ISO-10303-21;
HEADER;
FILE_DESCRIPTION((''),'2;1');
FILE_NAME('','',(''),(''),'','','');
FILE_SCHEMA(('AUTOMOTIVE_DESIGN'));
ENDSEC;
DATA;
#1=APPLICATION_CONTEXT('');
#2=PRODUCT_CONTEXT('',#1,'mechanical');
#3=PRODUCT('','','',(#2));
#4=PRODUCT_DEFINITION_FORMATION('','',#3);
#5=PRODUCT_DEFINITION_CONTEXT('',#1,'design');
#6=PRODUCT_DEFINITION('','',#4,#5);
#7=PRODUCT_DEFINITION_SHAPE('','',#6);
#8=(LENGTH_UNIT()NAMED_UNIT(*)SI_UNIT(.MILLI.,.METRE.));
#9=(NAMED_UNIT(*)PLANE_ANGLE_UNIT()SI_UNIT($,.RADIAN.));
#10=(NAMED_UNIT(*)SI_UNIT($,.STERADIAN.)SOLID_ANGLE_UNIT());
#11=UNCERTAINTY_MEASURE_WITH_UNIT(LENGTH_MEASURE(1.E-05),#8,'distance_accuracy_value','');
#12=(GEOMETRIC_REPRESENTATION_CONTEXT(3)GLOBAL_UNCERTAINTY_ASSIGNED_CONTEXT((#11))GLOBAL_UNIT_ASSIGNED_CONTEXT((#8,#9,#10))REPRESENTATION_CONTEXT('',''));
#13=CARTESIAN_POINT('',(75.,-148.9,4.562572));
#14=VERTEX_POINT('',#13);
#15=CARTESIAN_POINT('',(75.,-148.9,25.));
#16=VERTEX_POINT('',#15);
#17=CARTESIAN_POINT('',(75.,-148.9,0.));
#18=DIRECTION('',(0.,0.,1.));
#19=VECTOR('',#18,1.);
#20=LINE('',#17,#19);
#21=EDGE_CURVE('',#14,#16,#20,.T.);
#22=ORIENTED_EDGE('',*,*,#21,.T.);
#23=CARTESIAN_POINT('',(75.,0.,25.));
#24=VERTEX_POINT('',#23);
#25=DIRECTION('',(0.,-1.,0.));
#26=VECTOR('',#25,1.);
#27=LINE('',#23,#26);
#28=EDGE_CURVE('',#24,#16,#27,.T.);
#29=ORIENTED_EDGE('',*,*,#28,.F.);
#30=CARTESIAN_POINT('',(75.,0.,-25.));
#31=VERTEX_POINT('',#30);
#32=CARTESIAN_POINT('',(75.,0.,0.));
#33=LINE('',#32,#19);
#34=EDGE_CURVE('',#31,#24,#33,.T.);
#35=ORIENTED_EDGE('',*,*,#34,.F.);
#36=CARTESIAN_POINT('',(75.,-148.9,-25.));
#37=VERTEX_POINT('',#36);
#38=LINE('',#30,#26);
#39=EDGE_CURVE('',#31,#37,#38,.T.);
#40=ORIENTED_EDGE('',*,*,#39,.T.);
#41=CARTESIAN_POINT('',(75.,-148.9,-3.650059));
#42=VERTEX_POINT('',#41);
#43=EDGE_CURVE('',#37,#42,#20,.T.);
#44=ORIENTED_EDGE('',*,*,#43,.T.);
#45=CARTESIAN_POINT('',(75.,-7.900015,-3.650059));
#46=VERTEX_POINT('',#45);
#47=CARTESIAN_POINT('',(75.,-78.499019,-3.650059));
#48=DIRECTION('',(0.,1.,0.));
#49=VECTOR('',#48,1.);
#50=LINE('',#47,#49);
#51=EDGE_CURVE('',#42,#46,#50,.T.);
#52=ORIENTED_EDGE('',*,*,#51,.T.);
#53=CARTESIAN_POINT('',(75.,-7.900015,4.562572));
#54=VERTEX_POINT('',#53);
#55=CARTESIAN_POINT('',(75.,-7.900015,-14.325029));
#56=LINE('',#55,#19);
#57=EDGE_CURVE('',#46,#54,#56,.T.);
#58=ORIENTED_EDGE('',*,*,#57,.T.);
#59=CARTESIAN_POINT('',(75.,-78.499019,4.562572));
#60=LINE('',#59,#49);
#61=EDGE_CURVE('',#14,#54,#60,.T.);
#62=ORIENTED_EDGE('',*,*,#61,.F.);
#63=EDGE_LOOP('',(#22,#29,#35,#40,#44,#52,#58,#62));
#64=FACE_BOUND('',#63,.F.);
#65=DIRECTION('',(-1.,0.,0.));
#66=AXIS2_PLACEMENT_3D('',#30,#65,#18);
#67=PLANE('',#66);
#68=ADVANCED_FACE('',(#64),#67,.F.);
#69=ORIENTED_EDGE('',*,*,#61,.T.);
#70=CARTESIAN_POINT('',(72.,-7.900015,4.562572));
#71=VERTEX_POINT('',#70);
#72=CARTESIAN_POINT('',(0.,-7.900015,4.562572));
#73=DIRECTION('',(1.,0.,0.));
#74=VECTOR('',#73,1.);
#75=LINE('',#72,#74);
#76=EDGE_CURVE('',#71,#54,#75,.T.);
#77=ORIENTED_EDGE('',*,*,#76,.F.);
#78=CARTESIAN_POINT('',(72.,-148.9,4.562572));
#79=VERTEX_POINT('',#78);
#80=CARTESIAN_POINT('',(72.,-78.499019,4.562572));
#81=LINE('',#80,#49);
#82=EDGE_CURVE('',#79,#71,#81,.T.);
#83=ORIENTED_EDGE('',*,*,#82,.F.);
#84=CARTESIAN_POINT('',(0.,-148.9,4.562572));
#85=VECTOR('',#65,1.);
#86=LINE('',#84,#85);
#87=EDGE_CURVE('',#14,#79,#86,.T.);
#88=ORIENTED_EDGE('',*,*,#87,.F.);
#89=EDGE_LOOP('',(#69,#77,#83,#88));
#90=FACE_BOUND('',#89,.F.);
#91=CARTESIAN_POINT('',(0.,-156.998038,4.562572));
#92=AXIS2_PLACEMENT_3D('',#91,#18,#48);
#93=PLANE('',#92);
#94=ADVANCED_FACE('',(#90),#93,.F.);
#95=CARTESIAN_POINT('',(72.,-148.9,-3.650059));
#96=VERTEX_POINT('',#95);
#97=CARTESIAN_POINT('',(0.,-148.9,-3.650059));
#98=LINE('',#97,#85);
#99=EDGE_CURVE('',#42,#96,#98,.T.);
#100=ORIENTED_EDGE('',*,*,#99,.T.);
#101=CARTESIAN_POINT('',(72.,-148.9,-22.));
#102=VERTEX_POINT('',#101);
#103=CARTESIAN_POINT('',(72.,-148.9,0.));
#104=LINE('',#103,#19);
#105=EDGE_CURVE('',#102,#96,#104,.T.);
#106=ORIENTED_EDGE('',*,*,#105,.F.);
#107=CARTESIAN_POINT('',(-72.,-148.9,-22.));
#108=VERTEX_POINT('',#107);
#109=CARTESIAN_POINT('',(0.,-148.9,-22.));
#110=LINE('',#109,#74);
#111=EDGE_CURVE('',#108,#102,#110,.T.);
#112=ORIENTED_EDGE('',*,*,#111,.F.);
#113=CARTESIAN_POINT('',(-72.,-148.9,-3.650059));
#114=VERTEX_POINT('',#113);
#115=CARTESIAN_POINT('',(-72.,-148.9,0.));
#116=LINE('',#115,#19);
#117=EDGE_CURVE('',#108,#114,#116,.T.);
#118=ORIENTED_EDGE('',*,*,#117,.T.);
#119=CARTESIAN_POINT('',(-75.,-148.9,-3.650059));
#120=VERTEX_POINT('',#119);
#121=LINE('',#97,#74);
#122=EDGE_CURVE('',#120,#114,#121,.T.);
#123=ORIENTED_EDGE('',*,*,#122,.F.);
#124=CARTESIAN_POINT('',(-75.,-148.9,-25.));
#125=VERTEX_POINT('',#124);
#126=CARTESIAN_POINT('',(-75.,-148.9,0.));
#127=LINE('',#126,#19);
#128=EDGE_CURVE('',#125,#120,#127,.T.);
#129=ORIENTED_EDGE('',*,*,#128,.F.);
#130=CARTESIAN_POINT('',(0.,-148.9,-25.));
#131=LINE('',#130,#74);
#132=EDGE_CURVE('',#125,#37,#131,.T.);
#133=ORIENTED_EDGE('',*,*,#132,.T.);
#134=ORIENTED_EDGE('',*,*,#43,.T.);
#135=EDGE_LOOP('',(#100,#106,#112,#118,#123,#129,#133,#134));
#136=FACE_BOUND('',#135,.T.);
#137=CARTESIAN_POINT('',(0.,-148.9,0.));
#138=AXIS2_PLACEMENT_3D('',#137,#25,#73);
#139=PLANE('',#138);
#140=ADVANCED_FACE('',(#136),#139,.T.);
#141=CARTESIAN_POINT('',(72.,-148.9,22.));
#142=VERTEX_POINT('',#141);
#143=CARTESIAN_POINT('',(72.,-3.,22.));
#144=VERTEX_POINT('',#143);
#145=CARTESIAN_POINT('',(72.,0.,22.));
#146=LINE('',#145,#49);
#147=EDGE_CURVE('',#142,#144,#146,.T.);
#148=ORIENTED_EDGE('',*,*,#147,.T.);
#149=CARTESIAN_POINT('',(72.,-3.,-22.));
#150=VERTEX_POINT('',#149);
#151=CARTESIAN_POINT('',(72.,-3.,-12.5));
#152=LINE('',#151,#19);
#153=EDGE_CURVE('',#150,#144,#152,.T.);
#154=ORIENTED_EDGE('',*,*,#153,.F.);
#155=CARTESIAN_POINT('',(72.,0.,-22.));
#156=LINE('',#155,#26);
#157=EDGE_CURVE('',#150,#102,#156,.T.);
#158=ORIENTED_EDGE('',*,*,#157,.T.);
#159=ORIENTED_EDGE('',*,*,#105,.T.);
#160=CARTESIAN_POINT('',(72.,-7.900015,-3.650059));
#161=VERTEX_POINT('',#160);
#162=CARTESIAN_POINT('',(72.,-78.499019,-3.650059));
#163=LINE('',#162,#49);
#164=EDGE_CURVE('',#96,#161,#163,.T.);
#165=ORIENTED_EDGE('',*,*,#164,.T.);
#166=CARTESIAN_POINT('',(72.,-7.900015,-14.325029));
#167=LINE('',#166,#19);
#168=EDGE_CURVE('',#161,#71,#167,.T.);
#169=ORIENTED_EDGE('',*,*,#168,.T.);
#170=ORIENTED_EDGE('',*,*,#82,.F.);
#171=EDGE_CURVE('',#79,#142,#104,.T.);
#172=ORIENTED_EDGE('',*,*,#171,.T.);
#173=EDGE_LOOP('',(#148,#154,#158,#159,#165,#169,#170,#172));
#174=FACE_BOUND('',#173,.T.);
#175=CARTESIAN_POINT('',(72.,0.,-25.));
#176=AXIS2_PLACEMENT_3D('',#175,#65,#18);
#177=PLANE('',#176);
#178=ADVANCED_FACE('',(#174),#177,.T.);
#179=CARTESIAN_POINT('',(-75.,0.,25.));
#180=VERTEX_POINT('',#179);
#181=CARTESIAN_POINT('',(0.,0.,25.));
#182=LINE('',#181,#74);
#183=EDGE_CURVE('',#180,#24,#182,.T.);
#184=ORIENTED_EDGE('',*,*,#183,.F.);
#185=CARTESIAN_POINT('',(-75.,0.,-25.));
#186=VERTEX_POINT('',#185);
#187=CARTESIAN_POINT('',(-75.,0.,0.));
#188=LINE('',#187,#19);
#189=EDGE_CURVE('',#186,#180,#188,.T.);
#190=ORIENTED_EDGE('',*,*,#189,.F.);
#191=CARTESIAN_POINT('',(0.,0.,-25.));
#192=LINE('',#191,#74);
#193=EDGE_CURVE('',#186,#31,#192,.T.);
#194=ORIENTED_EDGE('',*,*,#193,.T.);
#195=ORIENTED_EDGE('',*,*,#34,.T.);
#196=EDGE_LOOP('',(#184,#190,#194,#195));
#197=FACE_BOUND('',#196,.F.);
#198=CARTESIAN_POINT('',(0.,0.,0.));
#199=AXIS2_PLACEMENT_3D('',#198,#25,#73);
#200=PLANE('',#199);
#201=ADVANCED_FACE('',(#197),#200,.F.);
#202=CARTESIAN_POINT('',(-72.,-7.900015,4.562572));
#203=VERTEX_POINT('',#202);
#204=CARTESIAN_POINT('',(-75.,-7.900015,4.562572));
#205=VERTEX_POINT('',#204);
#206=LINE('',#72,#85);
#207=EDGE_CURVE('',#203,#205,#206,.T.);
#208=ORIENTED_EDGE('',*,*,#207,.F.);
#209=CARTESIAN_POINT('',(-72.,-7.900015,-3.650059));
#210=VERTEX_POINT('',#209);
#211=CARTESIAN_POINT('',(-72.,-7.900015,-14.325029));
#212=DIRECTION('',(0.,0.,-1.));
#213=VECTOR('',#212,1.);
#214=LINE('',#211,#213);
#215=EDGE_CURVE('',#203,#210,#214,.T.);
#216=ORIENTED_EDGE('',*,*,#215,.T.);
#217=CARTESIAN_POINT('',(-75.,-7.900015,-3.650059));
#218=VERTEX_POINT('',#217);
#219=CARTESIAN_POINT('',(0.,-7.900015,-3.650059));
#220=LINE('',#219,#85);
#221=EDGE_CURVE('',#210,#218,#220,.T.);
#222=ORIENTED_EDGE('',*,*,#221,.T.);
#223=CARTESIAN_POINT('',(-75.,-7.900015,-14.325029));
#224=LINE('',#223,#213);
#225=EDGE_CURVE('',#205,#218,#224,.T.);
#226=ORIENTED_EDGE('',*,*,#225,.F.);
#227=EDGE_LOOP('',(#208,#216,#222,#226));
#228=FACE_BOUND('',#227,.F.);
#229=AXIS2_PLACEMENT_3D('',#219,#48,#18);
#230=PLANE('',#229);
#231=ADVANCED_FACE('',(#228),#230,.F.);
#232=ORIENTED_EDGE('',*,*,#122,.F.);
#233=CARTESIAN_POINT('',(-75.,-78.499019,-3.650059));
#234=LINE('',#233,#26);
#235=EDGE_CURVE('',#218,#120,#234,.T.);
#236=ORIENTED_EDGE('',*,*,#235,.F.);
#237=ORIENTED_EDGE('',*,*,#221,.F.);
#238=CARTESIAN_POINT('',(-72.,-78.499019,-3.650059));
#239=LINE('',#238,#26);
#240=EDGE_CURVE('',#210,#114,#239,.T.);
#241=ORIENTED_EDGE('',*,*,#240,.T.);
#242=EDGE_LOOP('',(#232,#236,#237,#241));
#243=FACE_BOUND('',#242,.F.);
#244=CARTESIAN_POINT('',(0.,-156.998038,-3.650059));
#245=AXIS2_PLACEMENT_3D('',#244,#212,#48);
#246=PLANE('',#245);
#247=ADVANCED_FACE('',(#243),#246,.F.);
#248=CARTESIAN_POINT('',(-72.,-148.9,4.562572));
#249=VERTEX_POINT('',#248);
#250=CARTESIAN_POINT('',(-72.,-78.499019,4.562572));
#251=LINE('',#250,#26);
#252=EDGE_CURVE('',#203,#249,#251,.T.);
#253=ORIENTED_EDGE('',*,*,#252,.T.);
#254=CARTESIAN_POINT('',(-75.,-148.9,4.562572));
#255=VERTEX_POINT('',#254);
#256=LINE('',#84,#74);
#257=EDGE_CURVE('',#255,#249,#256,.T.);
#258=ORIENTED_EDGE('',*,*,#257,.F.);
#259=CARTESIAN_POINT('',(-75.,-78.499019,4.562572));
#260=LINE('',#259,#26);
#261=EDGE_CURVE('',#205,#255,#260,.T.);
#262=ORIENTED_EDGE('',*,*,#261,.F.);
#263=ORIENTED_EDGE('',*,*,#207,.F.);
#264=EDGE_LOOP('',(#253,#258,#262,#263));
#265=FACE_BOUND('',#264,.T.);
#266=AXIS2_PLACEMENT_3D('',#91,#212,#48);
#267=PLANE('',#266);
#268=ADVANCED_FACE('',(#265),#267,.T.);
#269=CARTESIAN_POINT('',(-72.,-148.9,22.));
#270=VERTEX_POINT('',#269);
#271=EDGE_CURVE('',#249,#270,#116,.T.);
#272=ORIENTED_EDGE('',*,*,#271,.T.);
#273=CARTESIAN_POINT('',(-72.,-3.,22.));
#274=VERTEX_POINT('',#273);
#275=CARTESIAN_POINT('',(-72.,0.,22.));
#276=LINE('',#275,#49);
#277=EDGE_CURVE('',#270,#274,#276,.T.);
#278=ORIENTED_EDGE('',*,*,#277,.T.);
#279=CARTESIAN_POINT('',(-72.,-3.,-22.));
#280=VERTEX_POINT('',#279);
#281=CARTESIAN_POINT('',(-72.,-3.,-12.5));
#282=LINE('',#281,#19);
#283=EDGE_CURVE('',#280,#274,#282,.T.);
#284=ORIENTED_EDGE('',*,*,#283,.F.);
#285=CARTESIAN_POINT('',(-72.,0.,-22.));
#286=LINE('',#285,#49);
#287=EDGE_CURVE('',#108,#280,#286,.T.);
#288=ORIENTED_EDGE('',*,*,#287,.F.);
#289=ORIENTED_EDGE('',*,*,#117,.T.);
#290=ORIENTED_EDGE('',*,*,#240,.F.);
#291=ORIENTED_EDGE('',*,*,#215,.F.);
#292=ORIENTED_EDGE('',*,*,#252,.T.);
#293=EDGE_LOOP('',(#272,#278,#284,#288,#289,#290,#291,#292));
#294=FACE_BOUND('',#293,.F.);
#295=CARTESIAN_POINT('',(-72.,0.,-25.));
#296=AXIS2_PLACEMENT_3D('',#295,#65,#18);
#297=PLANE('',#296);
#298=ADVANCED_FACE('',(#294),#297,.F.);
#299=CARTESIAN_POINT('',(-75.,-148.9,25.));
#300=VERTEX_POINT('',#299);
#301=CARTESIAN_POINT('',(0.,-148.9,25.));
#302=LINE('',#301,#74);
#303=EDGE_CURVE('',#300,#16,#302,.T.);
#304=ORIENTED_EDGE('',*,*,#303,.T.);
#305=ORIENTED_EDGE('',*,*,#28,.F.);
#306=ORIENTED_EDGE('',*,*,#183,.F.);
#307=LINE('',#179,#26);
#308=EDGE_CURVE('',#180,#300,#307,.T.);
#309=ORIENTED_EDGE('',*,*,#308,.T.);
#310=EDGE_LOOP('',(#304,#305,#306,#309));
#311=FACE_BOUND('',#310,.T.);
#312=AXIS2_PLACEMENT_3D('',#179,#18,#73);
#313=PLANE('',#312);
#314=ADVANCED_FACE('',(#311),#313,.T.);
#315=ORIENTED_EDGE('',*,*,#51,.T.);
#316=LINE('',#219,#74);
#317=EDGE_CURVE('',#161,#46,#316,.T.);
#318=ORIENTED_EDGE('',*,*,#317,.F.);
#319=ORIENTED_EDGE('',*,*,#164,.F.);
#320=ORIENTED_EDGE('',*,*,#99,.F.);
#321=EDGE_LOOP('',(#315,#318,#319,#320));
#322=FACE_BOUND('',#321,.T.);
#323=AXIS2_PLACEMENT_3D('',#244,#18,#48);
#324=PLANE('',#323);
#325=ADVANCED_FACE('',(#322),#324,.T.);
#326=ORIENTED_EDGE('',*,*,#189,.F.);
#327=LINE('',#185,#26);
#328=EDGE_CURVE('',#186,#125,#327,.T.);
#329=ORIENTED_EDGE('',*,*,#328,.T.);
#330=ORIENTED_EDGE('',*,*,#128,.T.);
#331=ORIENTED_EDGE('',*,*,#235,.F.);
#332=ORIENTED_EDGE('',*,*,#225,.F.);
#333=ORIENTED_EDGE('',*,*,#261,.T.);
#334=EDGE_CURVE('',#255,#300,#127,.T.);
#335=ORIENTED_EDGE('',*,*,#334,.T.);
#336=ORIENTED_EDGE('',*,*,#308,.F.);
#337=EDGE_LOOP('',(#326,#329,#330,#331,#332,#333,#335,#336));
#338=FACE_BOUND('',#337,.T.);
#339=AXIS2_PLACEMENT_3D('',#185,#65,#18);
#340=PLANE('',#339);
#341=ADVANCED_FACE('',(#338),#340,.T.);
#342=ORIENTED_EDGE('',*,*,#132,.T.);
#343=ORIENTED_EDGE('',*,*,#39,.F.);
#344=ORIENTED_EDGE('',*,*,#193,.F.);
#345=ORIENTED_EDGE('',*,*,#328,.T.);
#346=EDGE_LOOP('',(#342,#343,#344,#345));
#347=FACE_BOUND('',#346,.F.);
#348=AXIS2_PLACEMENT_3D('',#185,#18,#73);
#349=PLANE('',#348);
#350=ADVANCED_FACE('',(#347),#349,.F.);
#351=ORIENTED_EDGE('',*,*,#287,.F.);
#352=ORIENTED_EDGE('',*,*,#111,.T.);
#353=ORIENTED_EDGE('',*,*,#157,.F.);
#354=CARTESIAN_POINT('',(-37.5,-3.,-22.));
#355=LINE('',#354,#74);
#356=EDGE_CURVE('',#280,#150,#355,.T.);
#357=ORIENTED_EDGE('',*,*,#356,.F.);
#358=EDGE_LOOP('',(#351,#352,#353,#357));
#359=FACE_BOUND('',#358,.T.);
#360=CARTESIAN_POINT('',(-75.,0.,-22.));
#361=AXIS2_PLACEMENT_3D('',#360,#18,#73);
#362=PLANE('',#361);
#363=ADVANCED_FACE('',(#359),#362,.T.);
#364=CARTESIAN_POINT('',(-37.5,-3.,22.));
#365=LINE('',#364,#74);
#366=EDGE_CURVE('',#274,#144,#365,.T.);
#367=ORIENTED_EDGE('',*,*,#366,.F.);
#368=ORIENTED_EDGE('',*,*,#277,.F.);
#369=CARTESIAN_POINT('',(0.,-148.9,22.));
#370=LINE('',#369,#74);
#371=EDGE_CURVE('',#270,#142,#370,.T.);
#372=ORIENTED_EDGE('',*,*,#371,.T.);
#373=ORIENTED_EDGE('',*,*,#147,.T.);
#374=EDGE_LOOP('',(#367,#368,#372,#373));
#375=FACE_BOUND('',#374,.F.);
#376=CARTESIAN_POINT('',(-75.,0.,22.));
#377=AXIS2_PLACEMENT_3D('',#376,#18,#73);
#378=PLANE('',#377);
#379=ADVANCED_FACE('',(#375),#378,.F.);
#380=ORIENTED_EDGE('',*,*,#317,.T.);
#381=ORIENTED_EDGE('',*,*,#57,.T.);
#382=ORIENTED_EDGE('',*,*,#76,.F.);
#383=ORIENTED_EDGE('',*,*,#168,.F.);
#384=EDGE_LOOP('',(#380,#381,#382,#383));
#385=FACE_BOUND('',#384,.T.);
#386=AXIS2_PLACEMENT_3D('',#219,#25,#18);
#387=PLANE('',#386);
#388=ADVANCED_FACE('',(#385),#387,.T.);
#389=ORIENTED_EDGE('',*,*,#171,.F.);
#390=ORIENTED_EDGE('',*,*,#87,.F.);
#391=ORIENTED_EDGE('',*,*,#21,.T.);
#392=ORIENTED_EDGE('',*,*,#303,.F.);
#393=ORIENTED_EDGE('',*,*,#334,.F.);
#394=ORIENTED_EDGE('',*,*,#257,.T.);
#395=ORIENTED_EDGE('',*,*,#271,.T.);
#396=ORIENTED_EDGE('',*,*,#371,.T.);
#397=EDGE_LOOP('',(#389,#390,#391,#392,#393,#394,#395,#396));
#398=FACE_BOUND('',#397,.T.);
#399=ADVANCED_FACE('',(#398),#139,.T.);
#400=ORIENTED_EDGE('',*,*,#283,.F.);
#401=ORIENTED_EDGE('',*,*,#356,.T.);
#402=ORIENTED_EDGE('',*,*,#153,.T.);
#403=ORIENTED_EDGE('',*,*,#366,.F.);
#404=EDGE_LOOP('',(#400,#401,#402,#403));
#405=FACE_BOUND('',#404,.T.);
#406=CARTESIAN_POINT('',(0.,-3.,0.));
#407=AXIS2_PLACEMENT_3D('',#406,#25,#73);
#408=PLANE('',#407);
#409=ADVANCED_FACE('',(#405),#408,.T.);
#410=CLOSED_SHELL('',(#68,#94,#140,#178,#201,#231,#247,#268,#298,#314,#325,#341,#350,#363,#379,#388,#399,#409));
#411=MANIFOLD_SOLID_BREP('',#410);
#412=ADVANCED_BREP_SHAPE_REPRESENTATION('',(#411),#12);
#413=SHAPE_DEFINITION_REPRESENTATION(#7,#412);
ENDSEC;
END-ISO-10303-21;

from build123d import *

# Parameters (mm, degrees)
F0_W          = 150
F0_H          = 50
F1_DEPTH      = 148.9
F2_T          = -3
F3_W          = 149.098023
F3_H          = 8.212631
F4_DEPTH      = 98.5
F4_DEPTH_BACK = 98.4


with BuildPart() as f1:
    # F0 (on Front) → F1 (new body)
    with BuildSketch(Plane.XZ):
        Rectangle(F0_W, F0_H)
    extrude(amount=F1_DEPTH)

    # F2
    f2_openings = [f1.faces().sort_by_distance(p)[0] for p in [
        (0, -148.9, 0),
    ]]
    offset(amount=F2_T, openings=f2_openings)

    # F3 (on Right) → F4 (cut, two sides)
    with BuildSketch(Plane.YZ) as f4_sk:
        with Locations((-82.449026, 0.456257)):
            Rectangle(F3_W, F3_H)
    extrude(amount=F4_DEPTH, mode=Mode.SUBTRACT)
    extrude(f4_sk.sketch, amount=-F4_DEPTH_BACK, mode=Mode.SUBTRACT)


solid = f1.part
